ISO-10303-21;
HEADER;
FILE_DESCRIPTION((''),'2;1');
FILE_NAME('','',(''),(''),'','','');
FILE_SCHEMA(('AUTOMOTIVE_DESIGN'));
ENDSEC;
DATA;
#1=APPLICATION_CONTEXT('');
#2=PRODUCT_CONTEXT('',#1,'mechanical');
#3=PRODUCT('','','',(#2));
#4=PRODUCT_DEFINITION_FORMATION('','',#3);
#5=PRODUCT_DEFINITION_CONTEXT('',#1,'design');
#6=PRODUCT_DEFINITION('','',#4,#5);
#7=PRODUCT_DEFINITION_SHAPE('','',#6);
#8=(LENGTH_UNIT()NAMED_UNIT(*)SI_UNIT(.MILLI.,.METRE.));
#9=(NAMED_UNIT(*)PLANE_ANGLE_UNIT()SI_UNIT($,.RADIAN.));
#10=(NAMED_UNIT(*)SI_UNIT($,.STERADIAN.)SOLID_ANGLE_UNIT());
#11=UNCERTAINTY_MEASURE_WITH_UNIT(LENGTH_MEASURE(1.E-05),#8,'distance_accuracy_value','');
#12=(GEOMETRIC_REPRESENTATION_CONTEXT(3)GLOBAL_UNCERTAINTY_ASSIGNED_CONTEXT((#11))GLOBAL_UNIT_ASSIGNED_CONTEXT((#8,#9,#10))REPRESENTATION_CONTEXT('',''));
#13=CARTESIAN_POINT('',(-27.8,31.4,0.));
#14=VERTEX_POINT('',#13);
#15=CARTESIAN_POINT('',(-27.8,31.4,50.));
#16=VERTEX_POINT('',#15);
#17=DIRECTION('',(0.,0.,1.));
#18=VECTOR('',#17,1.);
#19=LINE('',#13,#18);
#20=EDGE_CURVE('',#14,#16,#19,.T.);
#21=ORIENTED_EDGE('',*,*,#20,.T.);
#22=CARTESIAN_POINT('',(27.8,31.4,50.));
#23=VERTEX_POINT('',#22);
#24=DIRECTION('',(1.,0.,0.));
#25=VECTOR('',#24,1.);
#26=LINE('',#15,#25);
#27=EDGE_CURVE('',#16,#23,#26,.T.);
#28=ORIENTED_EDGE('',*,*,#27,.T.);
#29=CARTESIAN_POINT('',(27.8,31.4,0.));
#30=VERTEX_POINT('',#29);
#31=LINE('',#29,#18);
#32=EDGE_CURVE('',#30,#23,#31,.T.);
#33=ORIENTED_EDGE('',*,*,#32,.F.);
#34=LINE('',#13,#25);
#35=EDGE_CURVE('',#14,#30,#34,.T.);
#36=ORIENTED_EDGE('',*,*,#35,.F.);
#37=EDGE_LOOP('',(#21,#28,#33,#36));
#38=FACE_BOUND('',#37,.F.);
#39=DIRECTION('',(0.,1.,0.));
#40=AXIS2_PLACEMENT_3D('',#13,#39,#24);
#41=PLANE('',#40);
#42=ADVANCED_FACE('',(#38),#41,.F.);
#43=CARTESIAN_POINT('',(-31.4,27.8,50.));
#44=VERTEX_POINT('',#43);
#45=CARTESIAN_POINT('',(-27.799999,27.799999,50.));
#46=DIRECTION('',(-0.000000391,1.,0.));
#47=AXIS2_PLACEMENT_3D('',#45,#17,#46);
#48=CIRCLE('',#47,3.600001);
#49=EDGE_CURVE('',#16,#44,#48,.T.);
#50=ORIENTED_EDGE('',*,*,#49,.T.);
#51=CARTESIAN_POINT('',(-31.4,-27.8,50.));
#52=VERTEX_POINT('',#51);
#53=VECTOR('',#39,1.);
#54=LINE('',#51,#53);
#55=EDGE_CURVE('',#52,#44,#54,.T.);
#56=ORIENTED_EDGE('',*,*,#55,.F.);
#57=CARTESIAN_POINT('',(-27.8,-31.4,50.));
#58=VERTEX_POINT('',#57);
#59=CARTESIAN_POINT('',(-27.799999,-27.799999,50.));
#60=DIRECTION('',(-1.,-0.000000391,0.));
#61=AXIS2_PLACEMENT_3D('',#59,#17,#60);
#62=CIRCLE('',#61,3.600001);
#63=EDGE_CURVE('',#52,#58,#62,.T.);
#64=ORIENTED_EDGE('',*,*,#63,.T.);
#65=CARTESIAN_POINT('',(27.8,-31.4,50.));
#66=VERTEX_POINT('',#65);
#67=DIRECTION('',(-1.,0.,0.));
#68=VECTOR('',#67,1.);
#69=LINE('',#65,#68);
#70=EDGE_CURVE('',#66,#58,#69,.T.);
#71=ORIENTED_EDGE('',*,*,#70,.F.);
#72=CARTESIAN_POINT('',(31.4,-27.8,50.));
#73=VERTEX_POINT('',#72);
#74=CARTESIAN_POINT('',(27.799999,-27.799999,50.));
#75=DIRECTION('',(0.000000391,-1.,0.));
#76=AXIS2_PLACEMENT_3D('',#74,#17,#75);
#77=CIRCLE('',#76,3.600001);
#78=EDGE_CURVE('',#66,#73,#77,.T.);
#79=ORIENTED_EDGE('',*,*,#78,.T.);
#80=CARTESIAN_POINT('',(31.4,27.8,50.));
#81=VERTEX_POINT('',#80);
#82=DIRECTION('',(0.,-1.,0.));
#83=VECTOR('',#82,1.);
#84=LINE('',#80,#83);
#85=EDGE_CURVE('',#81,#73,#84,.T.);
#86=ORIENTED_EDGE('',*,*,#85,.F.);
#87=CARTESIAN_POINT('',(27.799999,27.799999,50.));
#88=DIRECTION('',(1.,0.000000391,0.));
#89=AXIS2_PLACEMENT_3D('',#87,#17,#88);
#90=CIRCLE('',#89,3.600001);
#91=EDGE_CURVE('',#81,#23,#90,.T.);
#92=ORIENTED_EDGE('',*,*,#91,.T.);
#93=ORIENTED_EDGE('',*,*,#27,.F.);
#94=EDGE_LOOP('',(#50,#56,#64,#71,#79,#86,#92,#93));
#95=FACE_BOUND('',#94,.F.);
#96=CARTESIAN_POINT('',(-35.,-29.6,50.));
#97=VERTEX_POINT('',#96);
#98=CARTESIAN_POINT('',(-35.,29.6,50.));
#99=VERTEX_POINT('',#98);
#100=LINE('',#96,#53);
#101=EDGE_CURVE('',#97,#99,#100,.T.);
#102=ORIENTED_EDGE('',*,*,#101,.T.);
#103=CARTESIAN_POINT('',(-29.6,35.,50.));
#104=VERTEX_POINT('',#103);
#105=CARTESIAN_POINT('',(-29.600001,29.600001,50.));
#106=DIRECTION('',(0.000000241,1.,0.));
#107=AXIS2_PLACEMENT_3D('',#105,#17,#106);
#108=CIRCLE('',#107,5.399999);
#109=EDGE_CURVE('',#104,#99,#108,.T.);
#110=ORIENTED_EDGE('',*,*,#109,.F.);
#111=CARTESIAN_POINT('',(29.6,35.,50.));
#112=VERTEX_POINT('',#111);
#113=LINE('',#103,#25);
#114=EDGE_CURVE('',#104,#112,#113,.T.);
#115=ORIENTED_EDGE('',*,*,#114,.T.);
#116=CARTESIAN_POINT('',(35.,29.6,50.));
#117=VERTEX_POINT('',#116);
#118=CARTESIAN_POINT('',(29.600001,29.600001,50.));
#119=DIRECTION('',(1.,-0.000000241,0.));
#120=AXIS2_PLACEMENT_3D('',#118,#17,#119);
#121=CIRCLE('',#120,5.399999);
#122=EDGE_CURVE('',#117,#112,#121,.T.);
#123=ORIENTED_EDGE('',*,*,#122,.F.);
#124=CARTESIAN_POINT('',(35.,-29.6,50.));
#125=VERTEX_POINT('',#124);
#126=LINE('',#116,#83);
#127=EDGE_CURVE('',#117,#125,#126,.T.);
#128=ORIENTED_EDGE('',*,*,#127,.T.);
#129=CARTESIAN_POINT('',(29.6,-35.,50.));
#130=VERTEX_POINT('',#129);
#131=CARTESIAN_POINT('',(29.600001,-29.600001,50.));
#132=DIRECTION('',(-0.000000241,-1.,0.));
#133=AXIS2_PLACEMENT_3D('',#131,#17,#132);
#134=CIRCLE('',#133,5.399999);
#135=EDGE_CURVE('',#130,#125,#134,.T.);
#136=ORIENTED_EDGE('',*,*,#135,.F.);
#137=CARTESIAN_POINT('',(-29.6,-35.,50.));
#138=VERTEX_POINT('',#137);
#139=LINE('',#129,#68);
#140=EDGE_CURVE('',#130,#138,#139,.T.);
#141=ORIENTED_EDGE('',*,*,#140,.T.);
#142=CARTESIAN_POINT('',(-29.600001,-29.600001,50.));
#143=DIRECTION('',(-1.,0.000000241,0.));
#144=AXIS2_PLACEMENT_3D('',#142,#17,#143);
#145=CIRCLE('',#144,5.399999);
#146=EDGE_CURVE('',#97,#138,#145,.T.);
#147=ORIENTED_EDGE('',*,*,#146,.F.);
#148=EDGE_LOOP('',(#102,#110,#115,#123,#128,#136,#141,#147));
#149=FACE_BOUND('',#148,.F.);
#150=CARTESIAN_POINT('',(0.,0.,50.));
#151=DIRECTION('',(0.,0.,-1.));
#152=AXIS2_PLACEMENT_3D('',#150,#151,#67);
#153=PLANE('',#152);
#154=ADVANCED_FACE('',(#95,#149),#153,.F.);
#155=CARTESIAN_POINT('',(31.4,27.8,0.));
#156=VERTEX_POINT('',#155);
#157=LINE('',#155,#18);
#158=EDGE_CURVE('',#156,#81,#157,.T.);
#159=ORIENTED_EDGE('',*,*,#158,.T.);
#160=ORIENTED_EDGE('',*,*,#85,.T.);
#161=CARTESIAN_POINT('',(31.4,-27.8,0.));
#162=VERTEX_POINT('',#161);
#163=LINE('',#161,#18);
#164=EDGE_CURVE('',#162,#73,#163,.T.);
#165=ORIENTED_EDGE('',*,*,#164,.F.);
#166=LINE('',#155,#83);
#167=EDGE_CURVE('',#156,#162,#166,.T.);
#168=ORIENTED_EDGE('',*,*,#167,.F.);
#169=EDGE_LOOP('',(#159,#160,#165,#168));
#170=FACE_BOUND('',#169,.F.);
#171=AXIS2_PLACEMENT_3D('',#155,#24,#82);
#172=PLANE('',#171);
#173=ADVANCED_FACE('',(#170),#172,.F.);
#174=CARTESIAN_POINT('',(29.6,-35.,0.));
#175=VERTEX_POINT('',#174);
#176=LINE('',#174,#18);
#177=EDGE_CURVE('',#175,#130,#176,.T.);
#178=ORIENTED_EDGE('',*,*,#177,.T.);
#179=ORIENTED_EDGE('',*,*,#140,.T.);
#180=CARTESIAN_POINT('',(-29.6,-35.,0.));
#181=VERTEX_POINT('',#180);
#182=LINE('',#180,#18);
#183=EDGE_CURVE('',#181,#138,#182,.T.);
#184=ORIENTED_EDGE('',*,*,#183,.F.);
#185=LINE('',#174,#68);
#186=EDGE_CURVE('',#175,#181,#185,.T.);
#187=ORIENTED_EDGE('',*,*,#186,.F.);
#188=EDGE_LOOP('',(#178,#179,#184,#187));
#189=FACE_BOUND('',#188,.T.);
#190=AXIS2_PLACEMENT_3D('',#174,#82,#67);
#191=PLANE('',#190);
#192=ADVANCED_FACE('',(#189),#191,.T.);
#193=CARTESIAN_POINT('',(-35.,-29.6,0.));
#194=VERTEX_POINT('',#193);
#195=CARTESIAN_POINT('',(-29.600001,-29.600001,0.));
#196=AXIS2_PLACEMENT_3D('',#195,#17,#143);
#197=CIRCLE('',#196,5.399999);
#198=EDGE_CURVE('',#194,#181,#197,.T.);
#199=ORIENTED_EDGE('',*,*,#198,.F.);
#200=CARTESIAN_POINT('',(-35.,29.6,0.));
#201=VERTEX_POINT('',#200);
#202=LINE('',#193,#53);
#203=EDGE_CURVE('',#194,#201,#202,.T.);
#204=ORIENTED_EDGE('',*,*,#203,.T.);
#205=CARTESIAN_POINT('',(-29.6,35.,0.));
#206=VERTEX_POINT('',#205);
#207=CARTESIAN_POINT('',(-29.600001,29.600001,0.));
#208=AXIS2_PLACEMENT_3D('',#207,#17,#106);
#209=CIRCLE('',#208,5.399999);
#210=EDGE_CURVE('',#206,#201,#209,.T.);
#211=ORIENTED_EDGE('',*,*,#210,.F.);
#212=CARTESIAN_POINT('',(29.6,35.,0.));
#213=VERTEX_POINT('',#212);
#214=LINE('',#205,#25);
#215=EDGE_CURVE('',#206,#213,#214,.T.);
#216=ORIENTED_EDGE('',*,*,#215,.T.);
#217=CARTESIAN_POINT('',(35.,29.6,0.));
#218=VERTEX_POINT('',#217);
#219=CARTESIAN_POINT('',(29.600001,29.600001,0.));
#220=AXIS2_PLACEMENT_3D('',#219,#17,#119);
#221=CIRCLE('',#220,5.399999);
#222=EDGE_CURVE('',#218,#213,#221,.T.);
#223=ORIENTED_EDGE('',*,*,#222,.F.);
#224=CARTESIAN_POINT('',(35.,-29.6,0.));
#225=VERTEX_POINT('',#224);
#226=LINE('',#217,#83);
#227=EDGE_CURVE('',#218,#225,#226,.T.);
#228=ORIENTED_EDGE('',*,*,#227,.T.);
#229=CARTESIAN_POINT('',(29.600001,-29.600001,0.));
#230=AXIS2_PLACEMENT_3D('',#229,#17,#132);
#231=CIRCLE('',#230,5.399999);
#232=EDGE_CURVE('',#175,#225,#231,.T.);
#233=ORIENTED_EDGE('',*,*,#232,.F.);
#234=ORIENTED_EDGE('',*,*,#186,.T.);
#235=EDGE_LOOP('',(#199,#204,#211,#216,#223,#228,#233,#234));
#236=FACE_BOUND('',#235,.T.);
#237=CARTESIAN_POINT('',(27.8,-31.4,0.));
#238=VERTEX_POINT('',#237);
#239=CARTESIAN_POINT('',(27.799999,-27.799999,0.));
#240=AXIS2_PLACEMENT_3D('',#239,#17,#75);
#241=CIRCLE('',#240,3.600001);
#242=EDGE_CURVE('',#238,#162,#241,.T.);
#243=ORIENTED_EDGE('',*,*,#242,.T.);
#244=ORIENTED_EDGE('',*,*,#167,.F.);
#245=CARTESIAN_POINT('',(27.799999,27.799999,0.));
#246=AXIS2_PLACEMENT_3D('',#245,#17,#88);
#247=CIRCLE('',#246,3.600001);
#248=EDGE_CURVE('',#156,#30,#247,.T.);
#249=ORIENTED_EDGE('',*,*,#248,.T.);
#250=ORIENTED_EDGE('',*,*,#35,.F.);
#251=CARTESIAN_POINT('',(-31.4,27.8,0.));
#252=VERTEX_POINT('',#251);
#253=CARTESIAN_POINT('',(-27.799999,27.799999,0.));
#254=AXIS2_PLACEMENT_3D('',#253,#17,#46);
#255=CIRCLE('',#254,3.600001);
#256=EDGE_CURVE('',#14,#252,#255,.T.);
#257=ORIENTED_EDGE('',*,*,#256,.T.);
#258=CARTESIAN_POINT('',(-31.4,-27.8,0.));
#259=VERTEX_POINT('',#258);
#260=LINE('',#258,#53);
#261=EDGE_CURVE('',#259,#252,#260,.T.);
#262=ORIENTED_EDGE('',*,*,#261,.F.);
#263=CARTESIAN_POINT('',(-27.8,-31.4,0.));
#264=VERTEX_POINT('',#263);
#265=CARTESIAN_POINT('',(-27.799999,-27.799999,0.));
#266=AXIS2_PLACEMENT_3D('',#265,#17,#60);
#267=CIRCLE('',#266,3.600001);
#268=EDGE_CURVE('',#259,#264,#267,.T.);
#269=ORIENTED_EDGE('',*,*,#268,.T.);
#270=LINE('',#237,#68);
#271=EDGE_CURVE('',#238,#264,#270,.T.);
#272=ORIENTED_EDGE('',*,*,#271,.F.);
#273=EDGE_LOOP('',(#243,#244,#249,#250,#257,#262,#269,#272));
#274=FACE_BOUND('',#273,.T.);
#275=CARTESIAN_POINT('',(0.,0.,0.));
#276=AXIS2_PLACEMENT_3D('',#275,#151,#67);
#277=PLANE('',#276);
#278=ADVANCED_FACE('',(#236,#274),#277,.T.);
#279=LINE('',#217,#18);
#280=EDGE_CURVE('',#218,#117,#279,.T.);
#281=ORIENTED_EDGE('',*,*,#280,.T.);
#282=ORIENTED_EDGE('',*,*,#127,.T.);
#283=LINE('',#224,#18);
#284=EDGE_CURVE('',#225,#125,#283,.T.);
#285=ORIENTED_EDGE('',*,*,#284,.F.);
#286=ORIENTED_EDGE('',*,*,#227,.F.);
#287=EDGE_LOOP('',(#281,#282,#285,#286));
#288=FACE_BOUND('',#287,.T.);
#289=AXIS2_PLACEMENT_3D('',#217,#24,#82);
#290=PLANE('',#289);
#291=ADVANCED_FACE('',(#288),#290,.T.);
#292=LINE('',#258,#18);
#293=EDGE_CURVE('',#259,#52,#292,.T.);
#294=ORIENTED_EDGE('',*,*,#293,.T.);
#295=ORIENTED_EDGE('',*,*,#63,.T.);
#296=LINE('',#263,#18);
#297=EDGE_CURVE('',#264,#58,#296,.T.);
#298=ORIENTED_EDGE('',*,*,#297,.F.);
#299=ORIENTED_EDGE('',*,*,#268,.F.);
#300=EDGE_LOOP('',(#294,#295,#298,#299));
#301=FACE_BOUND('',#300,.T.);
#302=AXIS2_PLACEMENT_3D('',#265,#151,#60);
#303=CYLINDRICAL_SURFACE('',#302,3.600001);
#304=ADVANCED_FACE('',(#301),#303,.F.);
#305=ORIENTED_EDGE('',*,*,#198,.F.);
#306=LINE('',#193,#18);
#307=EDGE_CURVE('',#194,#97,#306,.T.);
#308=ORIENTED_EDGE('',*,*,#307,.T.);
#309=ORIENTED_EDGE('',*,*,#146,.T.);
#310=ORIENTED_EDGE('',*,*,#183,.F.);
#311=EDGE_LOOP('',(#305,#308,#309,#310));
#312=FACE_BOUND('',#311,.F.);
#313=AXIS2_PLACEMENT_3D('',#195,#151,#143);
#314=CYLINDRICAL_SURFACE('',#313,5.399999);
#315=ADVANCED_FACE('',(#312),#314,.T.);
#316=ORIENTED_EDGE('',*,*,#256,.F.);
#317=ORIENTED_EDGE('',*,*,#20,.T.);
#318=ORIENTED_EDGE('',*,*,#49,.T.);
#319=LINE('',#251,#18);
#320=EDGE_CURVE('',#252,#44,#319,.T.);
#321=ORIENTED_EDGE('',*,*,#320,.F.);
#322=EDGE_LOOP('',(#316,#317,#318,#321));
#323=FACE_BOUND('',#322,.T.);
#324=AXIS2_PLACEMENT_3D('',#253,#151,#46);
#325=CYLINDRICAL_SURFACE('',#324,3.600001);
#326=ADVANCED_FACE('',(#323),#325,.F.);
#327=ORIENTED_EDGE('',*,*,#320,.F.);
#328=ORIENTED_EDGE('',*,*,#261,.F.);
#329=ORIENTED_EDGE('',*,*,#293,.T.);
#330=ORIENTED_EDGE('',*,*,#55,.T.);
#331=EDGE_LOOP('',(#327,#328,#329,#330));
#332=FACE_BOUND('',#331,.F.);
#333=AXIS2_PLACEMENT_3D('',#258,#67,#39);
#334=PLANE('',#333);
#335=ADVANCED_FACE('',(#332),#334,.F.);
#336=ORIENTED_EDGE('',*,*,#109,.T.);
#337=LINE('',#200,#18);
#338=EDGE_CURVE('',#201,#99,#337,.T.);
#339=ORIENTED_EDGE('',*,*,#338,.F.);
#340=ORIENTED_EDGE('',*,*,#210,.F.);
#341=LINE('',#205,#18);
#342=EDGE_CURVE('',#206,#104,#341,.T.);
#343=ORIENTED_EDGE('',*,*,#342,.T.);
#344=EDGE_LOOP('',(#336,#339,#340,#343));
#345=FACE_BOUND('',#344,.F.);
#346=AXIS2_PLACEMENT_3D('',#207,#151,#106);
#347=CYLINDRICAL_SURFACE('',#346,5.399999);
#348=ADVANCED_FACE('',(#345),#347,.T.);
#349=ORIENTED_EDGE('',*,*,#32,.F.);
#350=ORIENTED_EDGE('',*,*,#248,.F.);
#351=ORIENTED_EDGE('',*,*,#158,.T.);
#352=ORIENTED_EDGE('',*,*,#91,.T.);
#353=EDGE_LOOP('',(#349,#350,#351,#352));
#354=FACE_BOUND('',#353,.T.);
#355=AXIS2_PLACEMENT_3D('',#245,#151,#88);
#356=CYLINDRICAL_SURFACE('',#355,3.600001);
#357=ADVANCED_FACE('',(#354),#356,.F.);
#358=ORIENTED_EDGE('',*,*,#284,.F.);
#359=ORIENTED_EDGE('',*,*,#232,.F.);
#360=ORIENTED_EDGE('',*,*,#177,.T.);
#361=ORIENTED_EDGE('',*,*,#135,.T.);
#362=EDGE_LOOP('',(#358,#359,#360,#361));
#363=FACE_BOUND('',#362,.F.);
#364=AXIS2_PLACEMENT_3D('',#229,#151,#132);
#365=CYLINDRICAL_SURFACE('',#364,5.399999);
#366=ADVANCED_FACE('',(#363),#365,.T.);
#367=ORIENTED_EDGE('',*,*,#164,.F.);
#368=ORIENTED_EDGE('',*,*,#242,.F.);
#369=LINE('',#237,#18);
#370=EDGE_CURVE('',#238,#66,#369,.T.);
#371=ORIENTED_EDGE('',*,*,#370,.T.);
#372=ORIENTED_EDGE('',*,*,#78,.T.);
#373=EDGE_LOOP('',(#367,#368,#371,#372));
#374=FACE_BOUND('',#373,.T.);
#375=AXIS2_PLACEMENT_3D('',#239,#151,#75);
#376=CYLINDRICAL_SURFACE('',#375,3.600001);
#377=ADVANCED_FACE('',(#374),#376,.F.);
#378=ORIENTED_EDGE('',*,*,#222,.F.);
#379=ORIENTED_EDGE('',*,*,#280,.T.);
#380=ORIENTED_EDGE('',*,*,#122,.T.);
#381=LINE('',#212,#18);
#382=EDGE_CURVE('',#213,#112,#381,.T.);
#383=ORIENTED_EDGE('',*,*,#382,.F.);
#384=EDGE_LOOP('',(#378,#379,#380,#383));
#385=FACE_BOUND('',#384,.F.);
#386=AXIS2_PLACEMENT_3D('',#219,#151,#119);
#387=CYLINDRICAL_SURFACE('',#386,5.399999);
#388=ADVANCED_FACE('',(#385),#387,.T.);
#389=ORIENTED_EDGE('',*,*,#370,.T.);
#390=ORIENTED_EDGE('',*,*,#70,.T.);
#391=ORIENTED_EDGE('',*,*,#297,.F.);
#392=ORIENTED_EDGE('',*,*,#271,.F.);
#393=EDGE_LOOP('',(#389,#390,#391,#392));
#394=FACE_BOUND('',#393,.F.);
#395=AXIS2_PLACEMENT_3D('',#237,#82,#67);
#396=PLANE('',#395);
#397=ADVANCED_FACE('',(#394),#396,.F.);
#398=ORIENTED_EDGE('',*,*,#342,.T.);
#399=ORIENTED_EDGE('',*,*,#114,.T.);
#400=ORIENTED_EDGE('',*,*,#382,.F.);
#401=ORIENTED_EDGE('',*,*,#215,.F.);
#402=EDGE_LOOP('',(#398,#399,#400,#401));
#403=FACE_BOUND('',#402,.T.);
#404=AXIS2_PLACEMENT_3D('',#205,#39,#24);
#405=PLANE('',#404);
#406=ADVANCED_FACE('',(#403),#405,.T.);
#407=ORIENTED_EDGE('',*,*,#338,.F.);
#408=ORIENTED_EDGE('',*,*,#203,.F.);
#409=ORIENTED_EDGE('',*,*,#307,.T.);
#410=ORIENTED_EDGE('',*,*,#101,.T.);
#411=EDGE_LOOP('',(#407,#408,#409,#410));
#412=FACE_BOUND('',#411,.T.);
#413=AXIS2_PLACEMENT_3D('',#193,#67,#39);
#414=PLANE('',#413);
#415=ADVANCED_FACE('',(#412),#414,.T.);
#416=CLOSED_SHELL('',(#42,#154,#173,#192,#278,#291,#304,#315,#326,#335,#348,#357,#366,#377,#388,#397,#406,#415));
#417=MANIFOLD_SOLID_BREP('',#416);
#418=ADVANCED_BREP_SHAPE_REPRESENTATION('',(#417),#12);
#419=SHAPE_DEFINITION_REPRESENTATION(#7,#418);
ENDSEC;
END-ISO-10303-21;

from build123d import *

# Parameters (mm, degrees)
EXTRUDE_DEPTH = 50


with BuildPart() as part:
    # Sketch → Extrude (new body)
    with BuildSketch(Plane.XY):
        with BuildLine():
            Line((-29.6, 35), (29.6, 35))
            ThreePointArc((35, 29.6), (33.418377, 33.418377), (29.6, 35))
            Line((35, 29.6), (35, -29.6))
            ThreePointArc((29.6, -35), (33.418377, -33.418377), (35, -29.6))
            Line((29.6, -35), (-29.6, -35))
            ThreePointArc((-35, -29.6), (-33.418377, -33.418377), (-29.6, -35))
            Line((-35, -29.6), (-35, 29.6))
            ThreePointArc((-29.6, 35), (-33.418377, 33.418377), (-35, 29.6))
        make_face()
        with BuildLine():
            Line((-27.8, 31.4), (27.8, 31.4))
            ThreePointArc((31.4, 27.8), (30.345584, 30.345584), (27.8, 31.4))
            Line((31.4, 27.8), (31.4, -27.8))
            ThreePointArc((27.8, -31.4), (30.345584, -30.345584), (31.4, -27.8))
            Line((27.8, -31.4), (-27.8, -31.4))
            ThreePointArc((-31.4, -27.8), (-30.345584, -30.345584), (-27.8, -31.4))
            Line((-31.4, -27.8), (-31.4, 27.8))
            ThreePointArc((-27.8, 31.4), (-30.345584, 30.345584), (-31.4, 27.8))
        make_face(mode=Mode.SUBTRACT)
    extrude(amount=EXTRUDE_DEPTH)


solid = part.part
